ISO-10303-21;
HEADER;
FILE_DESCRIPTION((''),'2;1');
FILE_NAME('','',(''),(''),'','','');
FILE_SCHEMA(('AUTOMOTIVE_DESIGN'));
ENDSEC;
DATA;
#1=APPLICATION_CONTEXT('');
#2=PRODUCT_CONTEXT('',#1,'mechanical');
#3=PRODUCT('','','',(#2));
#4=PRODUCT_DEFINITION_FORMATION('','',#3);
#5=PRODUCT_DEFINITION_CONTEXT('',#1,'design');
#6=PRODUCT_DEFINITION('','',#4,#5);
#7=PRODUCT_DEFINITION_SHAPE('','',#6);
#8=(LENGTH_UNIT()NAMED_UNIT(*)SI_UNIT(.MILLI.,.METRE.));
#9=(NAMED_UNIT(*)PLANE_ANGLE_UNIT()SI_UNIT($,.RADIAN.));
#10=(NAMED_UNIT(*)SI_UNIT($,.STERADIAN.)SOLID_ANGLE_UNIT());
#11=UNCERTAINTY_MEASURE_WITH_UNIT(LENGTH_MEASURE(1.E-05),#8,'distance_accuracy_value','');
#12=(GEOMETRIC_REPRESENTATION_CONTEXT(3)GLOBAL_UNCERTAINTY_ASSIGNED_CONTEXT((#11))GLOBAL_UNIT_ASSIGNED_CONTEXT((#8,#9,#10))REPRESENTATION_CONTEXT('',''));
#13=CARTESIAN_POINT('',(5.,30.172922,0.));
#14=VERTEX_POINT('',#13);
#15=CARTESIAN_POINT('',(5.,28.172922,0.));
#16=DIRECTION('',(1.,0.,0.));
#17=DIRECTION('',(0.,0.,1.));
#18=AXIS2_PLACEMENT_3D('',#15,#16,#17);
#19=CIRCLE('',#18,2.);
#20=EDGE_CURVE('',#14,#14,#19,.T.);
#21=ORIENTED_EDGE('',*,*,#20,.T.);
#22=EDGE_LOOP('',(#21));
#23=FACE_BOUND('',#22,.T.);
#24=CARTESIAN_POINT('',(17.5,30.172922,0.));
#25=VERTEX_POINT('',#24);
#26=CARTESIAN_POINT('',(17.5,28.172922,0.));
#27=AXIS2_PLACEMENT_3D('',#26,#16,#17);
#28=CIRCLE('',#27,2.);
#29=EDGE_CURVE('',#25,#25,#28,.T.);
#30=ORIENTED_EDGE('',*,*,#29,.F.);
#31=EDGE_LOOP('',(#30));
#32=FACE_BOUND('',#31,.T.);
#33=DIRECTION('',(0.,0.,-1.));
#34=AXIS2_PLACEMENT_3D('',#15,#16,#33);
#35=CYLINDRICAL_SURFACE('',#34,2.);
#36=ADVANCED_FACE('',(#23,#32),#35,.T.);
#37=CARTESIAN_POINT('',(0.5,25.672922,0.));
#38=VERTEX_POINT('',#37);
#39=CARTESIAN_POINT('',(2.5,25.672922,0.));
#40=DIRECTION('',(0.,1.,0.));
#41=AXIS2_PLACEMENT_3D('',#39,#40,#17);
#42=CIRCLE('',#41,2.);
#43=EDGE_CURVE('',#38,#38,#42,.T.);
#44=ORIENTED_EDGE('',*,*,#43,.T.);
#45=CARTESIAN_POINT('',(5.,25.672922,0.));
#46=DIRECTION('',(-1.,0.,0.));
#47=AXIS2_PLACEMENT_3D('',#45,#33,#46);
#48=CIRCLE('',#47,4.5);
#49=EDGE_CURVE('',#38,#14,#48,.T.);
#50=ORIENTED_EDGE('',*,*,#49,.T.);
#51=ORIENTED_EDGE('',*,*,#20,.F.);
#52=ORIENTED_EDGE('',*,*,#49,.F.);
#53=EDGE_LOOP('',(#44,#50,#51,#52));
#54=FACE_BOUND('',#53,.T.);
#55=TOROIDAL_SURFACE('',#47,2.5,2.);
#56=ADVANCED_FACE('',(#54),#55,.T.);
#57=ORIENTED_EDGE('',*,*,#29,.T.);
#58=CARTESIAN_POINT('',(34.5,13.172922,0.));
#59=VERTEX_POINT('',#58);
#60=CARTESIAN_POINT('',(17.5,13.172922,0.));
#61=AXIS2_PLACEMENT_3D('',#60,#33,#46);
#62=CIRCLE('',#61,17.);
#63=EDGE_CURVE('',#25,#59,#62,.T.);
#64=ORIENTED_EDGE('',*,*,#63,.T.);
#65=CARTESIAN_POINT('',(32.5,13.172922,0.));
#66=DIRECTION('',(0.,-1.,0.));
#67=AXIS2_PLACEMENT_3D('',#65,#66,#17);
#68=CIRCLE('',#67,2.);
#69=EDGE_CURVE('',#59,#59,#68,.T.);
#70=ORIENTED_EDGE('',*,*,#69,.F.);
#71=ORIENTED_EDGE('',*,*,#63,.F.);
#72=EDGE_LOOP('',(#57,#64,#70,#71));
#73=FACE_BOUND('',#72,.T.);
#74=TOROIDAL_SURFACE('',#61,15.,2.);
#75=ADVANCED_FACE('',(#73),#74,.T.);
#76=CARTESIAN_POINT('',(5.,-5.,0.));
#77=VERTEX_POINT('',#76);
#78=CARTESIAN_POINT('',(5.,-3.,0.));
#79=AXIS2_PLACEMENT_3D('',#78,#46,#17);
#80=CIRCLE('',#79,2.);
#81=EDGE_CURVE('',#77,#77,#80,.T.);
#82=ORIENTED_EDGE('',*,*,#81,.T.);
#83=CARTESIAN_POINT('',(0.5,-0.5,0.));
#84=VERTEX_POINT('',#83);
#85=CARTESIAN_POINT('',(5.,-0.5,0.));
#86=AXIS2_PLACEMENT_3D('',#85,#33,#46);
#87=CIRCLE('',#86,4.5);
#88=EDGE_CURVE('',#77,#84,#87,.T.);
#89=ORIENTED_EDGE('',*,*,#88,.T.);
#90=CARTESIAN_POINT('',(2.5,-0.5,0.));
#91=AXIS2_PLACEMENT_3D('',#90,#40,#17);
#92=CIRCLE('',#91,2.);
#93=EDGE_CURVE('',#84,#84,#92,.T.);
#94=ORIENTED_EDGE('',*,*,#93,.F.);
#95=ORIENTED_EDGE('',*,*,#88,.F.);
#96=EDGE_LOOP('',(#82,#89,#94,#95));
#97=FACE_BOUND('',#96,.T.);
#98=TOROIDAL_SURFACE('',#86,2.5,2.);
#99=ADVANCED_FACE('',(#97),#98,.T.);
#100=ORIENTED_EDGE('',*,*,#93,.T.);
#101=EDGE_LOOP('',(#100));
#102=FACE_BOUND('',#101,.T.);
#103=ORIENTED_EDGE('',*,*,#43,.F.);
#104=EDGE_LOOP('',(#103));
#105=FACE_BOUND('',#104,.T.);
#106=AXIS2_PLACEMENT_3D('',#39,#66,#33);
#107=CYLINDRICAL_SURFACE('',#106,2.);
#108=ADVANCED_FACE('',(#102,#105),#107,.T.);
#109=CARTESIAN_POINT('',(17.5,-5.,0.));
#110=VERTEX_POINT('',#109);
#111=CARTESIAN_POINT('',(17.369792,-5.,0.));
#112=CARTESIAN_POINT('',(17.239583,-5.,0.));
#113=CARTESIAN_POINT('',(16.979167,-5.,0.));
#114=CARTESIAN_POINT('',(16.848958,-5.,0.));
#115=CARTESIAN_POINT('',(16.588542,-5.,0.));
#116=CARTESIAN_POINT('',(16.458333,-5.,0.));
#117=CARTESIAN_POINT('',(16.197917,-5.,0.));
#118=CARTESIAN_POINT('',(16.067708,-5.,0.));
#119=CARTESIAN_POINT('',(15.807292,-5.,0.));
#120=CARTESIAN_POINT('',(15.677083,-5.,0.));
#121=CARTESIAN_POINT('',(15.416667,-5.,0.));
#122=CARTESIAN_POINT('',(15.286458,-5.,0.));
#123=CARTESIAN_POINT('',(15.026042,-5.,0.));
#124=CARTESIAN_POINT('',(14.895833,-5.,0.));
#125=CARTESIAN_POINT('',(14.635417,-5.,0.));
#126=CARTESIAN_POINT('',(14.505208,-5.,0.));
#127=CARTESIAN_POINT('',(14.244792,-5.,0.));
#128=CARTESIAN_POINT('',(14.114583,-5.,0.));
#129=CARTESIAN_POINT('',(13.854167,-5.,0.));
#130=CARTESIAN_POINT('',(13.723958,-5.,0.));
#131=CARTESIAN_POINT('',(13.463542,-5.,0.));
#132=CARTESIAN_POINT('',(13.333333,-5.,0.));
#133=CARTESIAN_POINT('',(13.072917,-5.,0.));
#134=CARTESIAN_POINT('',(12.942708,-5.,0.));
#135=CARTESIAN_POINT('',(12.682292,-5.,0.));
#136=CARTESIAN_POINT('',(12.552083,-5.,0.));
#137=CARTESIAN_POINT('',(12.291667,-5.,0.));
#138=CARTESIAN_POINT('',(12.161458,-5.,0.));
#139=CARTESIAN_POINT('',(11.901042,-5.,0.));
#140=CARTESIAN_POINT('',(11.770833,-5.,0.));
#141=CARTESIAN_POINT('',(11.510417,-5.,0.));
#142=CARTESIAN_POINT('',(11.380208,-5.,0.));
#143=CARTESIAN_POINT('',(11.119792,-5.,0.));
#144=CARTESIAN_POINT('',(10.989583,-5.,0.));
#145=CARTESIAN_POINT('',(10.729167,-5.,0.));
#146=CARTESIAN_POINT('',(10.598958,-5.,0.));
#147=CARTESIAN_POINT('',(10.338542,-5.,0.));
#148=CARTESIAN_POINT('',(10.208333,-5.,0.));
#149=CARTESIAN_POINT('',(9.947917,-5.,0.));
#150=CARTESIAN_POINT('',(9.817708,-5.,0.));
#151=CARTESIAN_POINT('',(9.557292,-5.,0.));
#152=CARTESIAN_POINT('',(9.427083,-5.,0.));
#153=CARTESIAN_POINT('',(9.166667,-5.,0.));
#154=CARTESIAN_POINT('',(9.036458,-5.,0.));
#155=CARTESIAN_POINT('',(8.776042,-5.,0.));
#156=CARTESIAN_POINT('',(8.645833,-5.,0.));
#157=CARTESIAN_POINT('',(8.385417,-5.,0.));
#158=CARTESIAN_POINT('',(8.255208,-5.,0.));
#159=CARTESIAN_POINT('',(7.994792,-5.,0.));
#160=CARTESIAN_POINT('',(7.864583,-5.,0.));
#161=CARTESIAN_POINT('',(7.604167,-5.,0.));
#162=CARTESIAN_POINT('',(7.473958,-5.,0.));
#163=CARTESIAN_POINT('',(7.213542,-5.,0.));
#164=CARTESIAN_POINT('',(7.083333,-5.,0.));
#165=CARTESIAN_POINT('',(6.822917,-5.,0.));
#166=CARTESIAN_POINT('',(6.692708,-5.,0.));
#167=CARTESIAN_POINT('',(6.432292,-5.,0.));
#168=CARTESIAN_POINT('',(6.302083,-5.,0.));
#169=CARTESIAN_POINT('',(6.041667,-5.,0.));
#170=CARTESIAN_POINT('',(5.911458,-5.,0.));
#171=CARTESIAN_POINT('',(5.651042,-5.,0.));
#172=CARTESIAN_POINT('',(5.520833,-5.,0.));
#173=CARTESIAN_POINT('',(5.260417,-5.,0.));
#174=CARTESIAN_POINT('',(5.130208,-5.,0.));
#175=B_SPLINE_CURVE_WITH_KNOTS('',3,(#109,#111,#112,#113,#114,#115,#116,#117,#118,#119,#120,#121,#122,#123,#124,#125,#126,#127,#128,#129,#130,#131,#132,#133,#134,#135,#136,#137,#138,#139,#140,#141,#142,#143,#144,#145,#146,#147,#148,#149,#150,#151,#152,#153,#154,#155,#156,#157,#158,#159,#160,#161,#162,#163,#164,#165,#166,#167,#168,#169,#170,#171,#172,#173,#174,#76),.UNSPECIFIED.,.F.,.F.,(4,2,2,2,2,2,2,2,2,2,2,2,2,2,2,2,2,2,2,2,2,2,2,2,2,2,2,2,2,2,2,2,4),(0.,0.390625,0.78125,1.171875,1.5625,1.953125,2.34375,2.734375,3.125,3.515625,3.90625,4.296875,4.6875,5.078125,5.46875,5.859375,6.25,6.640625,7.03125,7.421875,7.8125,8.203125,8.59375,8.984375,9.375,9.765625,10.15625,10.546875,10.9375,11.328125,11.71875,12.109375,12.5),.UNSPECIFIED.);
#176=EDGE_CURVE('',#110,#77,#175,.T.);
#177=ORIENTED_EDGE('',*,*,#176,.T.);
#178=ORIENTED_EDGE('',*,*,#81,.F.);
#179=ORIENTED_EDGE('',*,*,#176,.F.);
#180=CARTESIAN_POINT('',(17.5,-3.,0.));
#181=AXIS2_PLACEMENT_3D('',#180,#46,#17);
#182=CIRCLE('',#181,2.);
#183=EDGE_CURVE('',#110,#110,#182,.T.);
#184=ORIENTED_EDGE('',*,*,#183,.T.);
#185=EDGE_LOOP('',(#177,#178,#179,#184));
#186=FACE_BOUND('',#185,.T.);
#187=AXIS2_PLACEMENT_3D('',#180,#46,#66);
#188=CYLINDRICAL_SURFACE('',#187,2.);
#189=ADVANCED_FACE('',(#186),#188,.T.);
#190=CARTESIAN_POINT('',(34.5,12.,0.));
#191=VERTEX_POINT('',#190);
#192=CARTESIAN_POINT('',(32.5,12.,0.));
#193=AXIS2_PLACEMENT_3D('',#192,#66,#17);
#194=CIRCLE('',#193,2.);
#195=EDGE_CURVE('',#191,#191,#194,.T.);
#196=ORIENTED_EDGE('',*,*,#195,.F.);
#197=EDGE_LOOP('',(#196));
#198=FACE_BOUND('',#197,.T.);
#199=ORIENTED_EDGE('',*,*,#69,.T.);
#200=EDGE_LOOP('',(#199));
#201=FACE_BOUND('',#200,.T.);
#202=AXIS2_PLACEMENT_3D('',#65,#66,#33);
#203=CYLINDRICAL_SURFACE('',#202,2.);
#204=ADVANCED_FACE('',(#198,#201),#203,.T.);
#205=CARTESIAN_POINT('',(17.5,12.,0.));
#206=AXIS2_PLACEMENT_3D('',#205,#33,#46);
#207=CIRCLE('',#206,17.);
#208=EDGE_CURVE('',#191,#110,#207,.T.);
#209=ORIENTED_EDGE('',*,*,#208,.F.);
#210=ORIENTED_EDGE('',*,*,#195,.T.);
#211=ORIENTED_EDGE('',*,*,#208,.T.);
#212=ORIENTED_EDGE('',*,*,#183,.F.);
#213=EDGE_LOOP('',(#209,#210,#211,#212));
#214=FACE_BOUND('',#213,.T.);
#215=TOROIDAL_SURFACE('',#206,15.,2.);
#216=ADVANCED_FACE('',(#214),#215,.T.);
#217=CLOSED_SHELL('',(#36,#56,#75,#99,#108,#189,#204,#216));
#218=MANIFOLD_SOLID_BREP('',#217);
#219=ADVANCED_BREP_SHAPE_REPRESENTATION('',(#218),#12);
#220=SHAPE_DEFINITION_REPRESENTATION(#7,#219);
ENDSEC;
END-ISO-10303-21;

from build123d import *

# Parameters (mm, degrees)
ESQUISSE2_R = 2


with BuildPart() as part:
    # Balayage2: sweep along a path in Esquisse1
    with BuildLine(Plane.XY) as balayage2_path:
        Line((2.5, 25.67292166), (2.5, -0.5))
        ThreePointArc((2.5, -0.5), (3.232233047, -2.267766953), (5, -3))
        Line((5, -3), (17.5, -3))
        ThreePointArc((17.5, -3), (28.106601718, 1.393398282), (32.5, 12))
        Line((32.5, 12), (32.5, 13.17292166))
        ThreePointArc((32.5, 13.17292166), (28.106601718, 23.779523378), (17.5, 28.17292166))
        Line((17.5, 28.17292166), (5, 28.17292166))
        ThreePointArc((5, 28.17292166), (3.232233047, 27.440688613), (2.5, 25.67292166))
    # Esquisse2 → Balayage2 (sweep)
    with BuildSketch(Plane(origin=(0, 0, 0), x_dir=(1, 0, 0), z_dir=(0, 1, 0))):
        with Locations((2.5, 0)):
            Circle(ESQUISSE2_R)
    sweep(path=balayage2_path.line)


solid = part.part
